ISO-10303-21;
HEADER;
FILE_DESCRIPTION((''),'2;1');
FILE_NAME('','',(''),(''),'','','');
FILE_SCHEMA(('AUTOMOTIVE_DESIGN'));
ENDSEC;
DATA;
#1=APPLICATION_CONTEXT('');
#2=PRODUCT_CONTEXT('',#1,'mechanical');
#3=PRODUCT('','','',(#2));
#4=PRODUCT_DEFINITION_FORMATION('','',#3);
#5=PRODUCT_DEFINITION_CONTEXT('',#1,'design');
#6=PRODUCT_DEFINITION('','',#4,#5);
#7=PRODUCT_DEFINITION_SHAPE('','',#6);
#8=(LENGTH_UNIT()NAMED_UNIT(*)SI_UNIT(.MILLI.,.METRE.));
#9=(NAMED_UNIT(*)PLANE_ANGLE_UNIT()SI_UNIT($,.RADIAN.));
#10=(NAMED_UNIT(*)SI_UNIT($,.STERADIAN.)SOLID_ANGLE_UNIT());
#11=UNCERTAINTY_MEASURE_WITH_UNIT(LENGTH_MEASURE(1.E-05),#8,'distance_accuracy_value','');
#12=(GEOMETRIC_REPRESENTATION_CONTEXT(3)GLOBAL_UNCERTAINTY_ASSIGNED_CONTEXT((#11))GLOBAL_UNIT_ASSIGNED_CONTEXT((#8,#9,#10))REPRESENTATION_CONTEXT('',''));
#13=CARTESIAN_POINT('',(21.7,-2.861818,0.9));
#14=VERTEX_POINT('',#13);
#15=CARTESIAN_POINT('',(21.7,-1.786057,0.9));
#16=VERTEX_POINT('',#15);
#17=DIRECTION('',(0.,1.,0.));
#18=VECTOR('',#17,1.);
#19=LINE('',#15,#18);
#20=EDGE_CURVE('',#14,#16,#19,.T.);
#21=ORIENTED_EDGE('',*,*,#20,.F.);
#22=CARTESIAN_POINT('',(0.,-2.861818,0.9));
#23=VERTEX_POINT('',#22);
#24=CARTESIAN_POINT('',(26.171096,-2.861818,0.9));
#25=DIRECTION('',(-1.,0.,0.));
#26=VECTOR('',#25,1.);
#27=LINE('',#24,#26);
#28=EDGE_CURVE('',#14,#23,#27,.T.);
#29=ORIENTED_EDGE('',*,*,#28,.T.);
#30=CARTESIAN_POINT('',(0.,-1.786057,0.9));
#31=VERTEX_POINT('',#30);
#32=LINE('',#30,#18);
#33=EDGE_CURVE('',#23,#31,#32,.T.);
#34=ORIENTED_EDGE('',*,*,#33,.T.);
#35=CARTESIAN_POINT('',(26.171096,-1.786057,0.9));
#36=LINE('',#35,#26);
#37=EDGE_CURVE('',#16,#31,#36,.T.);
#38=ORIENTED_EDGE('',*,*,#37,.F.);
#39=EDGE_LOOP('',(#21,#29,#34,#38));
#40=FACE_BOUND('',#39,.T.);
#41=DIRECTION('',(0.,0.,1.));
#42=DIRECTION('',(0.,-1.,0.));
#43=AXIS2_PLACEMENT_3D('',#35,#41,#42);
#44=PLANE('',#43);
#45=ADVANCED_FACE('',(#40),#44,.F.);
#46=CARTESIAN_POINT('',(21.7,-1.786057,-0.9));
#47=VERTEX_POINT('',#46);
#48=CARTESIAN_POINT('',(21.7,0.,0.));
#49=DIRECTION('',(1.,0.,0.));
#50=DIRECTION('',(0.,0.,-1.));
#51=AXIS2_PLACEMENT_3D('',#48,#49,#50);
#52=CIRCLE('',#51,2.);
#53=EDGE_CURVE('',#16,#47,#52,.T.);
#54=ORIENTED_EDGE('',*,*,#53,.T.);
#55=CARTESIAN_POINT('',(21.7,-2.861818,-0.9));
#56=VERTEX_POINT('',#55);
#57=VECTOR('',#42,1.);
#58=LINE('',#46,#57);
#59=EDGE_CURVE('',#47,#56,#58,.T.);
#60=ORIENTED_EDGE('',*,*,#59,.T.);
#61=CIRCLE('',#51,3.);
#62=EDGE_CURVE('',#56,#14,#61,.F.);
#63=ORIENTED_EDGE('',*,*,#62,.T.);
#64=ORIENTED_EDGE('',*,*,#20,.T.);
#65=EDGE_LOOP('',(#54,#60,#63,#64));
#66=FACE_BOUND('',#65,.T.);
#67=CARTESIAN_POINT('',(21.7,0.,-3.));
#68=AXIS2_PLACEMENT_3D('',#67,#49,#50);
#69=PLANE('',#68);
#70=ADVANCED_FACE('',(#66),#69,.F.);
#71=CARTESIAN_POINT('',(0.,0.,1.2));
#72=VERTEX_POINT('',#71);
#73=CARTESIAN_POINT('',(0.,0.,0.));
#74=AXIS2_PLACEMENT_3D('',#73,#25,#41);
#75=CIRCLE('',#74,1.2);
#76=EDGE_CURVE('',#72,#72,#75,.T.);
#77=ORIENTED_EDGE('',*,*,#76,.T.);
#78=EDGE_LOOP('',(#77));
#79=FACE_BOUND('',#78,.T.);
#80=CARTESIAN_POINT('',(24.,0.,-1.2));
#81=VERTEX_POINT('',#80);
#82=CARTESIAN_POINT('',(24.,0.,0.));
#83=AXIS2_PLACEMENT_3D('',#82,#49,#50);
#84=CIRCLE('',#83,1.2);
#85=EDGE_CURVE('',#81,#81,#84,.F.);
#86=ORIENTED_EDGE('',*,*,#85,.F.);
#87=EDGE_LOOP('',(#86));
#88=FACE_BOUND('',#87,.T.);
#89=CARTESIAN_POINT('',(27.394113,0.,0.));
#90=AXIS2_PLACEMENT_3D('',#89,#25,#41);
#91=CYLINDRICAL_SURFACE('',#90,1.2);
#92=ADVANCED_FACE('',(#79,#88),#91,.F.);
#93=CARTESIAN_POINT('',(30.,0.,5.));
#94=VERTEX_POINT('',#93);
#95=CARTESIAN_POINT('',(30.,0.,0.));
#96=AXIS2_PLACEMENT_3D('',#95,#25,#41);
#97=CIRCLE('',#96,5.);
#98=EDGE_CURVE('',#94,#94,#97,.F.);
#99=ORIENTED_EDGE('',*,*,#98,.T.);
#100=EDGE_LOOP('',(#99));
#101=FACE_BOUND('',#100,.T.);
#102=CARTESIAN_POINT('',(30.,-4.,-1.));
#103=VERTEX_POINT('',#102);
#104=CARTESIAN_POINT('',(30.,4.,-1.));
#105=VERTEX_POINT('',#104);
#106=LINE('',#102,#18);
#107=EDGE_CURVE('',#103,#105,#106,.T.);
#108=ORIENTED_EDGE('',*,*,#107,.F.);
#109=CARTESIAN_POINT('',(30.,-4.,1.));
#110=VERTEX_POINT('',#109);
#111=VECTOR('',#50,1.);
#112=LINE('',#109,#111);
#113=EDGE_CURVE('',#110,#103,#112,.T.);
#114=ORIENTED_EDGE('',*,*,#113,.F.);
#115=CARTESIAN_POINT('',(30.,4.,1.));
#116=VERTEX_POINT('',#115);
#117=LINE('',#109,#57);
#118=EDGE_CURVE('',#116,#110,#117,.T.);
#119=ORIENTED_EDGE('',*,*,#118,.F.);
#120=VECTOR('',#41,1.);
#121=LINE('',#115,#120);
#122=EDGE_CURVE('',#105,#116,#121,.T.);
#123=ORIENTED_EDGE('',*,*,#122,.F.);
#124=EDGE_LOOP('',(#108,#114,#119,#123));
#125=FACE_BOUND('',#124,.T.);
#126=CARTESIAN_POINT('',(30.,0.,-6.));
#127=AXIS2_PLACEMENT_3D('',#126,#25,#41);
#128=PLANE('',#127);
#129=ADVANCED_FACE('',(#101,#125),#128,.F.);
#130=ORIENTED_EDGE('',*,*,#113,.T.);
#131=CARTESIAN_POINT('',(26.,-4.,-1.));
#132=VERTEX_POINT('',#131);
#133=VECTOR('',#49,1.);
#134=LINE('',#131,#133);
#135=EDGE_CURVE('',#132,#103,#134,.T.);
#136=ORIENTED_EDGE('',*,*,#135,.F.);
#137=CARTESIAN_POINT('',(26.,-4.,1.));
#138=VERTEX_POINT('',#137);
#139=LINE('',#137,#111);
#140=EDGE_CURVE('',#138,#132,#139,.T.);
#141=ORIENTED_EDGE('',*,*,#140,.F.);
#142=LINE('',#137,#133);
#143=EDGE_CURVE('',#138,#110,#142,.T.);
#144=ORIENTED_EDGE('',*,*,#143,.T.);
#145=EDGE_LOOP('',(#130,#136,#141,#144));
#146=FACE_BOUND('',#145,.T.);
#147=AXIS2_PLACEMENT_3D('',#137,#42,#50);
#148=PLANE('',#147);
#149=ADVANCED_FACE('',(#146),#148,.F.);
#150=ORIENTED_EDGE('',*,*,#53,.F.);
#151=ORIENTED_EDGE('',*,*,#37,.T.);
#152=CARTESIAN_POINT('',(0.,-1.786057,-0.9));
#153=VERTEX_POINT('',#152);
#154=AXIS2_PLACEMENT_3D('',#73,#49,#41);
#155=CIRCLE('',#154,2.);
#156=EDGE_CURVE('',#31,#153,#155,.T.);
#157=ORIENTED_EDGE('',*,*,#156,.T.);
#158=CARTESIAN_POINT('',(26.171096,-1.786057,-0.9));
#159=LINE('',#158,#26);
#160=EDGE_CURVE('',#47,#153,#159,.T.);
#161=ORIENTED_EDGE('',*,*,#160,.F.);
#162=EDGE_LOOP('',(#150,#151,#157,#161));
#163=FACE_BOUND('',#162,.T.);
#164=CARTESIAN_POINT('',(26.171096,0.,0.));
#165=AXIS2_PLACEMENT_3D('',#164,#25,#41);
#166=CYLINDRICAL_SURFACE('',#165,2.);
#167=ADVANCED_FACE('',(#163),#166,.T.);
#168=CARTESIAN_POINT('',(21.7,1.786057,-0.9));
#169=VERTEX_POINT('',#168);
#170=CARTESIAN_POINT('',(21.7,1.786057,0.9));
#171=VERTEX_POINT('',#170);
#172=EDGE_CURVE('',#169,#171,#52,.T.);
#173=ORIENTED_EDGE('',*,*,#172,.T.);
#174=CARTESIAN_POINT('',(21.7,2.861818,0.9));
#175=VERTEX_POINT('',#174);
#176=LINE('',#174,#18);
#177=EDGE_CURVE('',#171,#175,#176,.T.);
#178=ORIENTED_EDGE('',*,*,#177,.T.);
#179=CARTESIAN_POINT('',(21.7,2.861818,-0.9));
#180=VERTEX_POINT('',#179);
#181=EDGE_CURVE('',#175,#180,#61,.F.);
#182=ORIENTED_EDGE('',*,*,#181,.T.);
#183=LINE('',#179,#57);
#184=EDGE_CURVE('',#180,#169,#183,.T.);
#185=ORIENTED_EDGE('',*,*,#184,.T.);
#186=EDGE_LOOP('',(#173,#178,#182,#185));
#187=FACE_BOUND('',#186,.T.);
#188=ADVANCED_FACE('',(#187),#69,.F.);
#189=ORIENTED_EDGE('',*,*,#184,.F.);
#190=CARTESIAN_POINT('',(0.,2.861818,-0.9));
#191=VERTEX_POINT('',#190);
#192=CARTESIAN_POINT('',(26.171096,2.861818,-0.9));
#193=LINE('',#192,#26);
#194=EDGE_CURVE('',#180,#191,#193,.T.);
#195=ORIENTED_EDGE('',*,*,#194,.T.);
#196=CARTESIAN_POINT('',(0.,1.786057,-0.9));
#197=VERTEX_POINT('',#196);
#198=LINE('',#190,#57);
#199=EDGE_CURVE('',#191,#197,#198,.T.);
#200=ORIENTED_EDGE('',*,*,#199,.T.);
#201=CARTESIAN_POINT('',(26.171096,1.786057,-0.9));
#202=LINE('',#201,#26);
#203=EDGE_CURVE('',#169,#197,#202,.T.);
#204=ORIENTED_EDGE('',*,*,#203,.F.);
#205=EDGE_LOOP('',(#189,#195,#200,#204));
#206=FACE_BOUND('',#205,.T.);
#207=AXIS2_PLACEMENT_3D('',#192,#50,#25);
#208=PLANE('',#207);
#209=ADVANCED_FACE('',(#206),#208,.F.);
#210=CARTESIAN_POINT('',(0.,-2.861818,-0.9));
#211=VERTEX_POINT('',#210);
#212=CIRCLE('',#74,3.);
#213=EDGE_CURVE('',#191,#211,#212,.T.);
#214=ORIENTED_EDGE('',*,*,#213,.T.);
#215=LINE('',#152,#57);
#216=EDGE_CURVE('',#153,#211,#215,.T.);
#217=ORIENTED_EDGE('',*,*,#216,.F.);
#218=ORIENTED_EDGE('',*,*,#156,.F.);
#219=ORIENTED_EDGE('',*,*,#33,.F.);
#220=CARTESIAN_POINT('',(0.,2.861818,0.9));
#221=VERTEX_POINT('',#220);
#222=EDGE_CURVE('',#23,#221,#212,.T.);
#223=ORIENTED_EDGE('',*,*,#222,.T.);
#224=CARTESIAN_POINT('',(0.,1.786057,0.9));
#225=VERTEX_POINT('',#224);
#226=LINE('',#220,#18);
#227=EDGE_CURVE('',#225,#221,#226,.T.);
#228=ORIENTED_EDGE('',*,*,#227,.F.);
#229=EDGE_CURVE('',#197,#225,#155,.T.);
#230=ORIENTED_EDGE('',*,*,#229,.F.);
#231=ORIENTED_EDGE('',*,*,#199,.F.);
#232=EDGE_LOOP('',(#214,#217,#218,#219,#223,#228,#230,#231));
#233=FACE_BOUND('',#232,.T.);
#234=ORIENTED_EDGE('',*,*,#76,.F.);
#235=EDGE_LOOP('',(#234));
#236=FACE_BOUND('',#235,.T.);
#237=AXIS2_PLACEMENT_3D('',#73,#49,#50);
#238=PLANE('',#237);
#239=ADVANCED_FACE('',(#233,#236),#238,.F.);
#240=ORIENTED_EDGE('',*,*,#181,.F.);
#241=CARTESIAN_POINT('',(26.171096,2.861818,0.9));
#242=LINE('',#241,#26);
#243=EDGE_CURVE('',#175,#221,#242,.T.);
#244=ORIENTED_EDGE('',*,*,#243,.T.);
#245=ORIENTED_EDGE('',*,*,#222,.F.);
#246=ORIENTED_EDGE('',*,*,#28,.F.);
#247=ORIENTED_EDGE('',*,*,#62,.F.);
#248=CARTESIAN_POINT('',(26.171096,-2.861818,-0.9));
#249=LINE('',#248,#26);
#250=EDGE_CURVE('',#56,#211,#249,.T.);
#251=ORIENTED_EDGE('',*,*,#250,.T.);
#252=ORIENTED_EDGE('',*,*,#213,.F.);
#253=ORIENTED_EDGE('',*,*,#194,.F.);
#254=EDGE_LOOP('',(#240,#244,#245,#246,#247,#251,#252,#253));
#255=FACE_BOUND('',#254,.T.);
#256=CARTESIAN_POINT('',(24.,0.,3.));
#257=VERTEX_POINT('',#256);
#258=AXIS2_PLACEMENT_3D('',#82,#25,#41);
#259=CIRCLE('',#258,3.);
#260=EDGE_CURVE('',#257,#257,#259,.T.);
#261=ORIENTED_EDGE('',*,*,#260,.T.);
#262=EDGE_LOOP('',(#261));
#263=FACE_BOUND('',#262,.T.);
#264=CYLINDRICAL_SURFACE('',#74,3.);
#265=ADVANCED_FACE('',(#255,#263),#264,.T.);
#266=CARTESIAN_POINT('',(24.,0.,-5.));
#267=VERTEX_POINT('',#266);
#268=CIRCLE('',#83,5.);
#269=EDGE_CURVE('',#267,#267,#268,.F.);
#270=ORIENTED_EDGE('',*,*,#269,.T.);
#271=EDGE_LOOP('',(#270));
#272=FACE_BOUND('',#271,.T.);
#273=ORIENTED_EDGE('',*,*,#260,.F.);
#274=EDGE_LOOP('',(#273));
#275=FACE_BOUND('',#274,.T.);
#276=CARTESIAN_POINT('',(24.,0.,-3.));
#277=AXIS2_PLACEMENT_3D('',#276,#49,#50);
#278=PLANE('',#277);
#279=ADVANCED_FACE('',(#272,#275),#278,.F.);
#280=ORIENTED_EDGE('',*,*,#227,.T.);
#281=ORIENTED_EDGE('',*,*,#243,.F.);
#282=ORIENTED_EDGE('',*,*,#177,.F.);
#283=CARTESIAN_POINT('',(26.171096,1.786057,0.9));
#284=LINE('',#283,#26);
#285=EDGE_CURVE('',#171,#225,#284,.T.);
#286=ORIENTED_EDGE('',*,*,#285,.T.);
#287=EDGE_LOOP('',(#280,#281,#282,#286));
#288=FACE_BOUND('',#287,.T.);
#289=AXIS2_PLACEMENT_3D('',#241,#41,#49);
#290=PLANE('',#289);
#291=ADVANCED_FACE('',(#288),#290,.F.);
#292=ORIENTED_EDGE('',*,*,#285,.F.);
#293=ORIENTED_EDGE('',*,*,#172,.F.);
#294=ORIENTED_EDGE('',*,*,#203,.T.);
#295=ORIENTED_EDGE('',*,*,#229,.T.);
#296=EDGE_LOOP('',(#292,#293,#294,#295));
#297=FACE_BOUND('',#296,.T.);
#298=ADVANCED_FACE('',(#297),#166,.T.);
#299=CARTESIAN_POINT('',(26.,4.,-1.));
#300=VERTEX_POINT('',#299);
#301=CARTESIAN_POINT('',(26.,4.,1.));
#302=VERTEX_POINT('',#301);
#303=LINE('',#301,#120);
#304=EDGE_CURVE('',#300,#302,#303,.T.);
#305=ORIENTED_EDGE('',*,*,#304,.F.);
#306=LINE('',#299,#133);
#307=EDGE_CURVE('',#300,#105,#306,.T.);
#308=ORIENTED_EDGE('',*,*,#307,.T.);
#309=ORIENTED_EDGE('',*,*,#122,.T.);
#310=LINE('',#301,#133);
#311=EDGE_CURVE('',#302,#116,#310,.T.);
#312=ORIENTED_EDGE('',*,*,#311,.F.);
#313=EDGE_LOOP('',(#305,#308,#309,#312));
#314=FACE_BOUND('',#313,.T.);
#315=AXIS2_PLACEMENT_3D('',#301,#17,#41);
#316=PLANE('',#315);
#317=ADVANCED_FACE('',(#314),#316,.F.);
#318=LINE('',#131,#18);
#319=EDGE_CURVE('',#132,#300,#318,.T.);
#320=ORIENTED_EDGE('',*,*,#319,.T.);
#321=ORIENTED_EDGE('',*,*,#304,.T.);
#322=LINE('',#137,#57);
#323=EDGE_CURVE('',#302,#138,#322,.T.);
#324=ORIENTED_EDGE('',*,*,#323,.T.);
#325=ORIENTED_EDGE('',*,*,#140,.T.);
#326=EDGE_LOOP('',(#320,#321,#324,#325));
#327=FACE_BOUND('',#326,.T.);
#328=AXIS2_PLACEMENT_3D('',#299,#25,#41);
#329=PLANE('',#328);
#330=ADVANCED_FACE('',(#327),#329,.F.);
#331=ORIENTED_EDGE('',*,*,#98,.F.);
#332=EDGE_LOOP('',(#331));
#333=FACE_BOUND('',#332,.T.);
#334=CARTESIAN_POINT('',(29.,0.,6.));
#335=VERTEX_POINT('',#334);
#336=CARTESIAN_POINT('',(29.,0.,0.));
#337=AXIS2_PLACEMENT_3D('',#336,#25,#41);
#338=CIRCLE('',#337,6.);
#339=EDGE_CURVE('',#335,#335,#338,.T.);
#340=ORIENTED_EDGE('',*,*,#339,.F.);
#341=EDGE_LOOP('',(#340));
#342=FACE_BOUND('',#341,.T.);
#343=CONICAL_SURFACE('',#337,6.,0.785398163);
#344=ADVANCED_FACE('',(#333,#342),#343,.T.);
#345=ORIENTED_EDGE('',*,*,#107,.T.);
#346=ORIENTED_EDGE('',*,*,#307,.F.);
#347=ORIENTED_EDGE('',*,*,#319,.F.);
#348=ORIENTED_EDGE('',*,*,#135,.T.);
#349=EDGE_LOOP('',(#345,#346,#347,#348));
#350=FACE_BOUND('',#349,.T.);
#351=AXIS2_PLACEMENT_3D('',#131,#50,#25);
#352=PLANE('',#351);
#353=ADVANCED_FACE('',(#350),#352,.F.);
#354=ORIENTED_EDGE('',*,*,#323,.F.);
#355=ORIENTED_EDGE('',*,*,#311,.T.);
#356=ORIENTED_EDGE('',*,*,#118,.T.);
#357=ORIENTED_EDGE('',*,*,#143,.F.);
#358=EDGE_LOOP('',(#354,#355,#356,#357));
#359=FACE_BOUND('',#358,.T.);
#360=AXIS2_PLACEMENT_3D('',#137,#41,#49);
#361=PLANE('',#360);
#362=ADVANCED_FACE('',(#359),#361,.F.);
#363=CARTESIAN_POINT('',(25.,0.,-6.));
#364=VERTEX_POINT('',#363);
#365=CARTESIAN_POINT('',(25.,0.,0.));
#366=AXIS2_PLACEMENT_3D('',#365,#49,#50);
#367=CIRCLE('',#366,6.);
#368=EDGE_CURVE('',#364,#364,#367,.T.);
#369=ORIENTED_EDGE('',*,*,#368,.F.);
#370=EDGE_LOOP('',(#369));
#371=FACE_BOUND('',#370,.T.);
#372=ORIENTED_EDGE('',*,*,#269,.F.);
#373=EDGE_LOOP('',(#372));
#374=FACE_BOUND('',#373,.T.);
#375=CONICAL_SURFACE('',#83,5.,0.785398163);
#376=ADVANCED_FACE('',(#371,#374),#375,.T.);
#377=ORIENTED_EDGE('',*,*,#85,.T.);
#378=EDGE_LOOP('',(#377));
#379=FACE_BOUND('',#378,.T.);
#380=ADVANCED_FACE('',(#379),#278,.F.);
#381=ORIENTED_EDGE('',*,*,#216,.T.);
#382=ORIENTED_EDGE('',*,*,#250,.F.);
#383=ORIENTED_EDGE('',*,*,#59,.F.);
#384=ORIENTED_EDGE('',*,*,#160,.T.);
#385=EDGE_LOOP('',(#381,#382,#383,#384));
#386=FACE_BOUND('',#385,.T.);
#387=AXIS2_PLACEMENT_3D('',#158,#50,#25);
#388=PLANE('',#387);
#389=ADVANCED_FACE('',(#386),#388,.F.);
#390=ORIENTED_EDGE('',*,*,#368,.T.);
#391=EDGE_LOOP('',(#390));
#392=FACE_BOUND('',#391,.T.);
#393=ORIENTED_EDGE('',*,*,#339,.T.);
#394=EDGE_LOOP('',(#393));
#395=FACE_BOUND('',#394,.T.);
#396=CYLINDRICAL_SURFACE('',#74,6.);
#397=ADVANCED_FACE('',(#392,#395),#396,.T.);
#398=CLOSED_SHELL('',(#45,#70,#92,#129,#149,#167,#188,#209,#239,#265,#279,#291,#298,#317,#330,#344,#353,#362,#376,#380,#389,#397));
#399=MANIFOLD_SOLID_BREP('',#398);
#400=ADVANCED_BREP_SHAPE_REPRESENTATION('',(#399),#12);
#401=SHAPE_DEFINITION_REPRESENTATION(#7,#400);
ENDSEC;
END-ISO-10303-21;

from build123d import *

# Parameters (mm, degrees)
SKETCH3_R          = 1.2
CUT_EXTRUDE1_DEPTH = 24
SKETCH4_W          = 2
SKETCH4_H          = 8
CUT_EXTRUDE2_DEPTH = 4
CHAMFER1_SIZE      = 1
CUT_EXTRUDE3_START = -21.7
CUT_EXTRUDE3_DEPTH = 21.7


with BuildPart() as part:
    # Sketch2 → Revolve1 (revolve)
    with BuildSketch(Plane(origin=(0, 0, 0), x_dir=(1, 0, 0), z_dir=(0, 1, 0)), mode=Mode.PRIVATE) as revolve1_sk:
        Polygon((0, 0), (0, 3), (24, 3), (24, 6), (30, 6), (30, 0), align=None)
    revolve(revolve1_sk.sketch.rotate(Axis((0, 0, 0), (1, 0, 0)), 180), axis=Axis((0, 0, 0), (1, 0, 0)))

    # Sketch3 → Cut-Extrude1 (cut)
    with BuildSketch(Plane.ZY):
        Circle(SKETCH3_R)
    extrude(amount=-CUT_EXTRUDE1_DEPTH, mode=Mode.SUBTRACT)

    # Sketch4 → Cut-Extrude2 (cut)
    with BuildSketch(Plane(origin=(30, 0, 0), x_dir=(0, 0, -1), z_dir=(1, 0, 0))):
        Rectangle(SKETCH4_W, SKETCH4_H)
    extrude(amount=-CUT_EXTRUDE2_DEPTH, mode=Mode.SUBTRACT)

    # Chamfer1
    chamfer1_edges = [part.edges().sort_by_distance(p)[0] for p in [
        (30, 0, -6),
        (24, 0, -6),
    ]]
    chamfer(chamfer1_edges, length=CHAMFER1_SIZE)

    # Sketch5 → Cut-Extrude3 (cut)
    with BuildSketch(Plane.ZY.offset(CUT_EXTRUDE3_START)):
        with BuildLine():
            Line((-0.9, 2.861817604), (-0.9, 1.78605711))
            ThreePointArc((-0.9, 1.78605711), (0, 2), (0.9, 1.78605711))
            Line((0.9, 1.78605711), (0.9, 2.861817604))
            ThreePointArc((0.9, 2.861817604), (0, 3), (-0.9, 2.861817604))
        make_face()
        with BuildLine():
            Line((-0.9, -1.78605711), (-0.9, -2.861817604))
            ThreePointArc((-0.9, -2.861817604), (0, -3), (0.9, -2.861817604))
            Line((0.9, -2.861817604), (0.9, -1.78605711))
            ThreePointArc((0.9, -1.78605711), (0, -2), (-0.9, -1.78605711))
        make_face()
    extrude(amount=CUT_EXTRUDE3_DEPTH, mode=Mode.SUBTRACT)


solid = part.part
